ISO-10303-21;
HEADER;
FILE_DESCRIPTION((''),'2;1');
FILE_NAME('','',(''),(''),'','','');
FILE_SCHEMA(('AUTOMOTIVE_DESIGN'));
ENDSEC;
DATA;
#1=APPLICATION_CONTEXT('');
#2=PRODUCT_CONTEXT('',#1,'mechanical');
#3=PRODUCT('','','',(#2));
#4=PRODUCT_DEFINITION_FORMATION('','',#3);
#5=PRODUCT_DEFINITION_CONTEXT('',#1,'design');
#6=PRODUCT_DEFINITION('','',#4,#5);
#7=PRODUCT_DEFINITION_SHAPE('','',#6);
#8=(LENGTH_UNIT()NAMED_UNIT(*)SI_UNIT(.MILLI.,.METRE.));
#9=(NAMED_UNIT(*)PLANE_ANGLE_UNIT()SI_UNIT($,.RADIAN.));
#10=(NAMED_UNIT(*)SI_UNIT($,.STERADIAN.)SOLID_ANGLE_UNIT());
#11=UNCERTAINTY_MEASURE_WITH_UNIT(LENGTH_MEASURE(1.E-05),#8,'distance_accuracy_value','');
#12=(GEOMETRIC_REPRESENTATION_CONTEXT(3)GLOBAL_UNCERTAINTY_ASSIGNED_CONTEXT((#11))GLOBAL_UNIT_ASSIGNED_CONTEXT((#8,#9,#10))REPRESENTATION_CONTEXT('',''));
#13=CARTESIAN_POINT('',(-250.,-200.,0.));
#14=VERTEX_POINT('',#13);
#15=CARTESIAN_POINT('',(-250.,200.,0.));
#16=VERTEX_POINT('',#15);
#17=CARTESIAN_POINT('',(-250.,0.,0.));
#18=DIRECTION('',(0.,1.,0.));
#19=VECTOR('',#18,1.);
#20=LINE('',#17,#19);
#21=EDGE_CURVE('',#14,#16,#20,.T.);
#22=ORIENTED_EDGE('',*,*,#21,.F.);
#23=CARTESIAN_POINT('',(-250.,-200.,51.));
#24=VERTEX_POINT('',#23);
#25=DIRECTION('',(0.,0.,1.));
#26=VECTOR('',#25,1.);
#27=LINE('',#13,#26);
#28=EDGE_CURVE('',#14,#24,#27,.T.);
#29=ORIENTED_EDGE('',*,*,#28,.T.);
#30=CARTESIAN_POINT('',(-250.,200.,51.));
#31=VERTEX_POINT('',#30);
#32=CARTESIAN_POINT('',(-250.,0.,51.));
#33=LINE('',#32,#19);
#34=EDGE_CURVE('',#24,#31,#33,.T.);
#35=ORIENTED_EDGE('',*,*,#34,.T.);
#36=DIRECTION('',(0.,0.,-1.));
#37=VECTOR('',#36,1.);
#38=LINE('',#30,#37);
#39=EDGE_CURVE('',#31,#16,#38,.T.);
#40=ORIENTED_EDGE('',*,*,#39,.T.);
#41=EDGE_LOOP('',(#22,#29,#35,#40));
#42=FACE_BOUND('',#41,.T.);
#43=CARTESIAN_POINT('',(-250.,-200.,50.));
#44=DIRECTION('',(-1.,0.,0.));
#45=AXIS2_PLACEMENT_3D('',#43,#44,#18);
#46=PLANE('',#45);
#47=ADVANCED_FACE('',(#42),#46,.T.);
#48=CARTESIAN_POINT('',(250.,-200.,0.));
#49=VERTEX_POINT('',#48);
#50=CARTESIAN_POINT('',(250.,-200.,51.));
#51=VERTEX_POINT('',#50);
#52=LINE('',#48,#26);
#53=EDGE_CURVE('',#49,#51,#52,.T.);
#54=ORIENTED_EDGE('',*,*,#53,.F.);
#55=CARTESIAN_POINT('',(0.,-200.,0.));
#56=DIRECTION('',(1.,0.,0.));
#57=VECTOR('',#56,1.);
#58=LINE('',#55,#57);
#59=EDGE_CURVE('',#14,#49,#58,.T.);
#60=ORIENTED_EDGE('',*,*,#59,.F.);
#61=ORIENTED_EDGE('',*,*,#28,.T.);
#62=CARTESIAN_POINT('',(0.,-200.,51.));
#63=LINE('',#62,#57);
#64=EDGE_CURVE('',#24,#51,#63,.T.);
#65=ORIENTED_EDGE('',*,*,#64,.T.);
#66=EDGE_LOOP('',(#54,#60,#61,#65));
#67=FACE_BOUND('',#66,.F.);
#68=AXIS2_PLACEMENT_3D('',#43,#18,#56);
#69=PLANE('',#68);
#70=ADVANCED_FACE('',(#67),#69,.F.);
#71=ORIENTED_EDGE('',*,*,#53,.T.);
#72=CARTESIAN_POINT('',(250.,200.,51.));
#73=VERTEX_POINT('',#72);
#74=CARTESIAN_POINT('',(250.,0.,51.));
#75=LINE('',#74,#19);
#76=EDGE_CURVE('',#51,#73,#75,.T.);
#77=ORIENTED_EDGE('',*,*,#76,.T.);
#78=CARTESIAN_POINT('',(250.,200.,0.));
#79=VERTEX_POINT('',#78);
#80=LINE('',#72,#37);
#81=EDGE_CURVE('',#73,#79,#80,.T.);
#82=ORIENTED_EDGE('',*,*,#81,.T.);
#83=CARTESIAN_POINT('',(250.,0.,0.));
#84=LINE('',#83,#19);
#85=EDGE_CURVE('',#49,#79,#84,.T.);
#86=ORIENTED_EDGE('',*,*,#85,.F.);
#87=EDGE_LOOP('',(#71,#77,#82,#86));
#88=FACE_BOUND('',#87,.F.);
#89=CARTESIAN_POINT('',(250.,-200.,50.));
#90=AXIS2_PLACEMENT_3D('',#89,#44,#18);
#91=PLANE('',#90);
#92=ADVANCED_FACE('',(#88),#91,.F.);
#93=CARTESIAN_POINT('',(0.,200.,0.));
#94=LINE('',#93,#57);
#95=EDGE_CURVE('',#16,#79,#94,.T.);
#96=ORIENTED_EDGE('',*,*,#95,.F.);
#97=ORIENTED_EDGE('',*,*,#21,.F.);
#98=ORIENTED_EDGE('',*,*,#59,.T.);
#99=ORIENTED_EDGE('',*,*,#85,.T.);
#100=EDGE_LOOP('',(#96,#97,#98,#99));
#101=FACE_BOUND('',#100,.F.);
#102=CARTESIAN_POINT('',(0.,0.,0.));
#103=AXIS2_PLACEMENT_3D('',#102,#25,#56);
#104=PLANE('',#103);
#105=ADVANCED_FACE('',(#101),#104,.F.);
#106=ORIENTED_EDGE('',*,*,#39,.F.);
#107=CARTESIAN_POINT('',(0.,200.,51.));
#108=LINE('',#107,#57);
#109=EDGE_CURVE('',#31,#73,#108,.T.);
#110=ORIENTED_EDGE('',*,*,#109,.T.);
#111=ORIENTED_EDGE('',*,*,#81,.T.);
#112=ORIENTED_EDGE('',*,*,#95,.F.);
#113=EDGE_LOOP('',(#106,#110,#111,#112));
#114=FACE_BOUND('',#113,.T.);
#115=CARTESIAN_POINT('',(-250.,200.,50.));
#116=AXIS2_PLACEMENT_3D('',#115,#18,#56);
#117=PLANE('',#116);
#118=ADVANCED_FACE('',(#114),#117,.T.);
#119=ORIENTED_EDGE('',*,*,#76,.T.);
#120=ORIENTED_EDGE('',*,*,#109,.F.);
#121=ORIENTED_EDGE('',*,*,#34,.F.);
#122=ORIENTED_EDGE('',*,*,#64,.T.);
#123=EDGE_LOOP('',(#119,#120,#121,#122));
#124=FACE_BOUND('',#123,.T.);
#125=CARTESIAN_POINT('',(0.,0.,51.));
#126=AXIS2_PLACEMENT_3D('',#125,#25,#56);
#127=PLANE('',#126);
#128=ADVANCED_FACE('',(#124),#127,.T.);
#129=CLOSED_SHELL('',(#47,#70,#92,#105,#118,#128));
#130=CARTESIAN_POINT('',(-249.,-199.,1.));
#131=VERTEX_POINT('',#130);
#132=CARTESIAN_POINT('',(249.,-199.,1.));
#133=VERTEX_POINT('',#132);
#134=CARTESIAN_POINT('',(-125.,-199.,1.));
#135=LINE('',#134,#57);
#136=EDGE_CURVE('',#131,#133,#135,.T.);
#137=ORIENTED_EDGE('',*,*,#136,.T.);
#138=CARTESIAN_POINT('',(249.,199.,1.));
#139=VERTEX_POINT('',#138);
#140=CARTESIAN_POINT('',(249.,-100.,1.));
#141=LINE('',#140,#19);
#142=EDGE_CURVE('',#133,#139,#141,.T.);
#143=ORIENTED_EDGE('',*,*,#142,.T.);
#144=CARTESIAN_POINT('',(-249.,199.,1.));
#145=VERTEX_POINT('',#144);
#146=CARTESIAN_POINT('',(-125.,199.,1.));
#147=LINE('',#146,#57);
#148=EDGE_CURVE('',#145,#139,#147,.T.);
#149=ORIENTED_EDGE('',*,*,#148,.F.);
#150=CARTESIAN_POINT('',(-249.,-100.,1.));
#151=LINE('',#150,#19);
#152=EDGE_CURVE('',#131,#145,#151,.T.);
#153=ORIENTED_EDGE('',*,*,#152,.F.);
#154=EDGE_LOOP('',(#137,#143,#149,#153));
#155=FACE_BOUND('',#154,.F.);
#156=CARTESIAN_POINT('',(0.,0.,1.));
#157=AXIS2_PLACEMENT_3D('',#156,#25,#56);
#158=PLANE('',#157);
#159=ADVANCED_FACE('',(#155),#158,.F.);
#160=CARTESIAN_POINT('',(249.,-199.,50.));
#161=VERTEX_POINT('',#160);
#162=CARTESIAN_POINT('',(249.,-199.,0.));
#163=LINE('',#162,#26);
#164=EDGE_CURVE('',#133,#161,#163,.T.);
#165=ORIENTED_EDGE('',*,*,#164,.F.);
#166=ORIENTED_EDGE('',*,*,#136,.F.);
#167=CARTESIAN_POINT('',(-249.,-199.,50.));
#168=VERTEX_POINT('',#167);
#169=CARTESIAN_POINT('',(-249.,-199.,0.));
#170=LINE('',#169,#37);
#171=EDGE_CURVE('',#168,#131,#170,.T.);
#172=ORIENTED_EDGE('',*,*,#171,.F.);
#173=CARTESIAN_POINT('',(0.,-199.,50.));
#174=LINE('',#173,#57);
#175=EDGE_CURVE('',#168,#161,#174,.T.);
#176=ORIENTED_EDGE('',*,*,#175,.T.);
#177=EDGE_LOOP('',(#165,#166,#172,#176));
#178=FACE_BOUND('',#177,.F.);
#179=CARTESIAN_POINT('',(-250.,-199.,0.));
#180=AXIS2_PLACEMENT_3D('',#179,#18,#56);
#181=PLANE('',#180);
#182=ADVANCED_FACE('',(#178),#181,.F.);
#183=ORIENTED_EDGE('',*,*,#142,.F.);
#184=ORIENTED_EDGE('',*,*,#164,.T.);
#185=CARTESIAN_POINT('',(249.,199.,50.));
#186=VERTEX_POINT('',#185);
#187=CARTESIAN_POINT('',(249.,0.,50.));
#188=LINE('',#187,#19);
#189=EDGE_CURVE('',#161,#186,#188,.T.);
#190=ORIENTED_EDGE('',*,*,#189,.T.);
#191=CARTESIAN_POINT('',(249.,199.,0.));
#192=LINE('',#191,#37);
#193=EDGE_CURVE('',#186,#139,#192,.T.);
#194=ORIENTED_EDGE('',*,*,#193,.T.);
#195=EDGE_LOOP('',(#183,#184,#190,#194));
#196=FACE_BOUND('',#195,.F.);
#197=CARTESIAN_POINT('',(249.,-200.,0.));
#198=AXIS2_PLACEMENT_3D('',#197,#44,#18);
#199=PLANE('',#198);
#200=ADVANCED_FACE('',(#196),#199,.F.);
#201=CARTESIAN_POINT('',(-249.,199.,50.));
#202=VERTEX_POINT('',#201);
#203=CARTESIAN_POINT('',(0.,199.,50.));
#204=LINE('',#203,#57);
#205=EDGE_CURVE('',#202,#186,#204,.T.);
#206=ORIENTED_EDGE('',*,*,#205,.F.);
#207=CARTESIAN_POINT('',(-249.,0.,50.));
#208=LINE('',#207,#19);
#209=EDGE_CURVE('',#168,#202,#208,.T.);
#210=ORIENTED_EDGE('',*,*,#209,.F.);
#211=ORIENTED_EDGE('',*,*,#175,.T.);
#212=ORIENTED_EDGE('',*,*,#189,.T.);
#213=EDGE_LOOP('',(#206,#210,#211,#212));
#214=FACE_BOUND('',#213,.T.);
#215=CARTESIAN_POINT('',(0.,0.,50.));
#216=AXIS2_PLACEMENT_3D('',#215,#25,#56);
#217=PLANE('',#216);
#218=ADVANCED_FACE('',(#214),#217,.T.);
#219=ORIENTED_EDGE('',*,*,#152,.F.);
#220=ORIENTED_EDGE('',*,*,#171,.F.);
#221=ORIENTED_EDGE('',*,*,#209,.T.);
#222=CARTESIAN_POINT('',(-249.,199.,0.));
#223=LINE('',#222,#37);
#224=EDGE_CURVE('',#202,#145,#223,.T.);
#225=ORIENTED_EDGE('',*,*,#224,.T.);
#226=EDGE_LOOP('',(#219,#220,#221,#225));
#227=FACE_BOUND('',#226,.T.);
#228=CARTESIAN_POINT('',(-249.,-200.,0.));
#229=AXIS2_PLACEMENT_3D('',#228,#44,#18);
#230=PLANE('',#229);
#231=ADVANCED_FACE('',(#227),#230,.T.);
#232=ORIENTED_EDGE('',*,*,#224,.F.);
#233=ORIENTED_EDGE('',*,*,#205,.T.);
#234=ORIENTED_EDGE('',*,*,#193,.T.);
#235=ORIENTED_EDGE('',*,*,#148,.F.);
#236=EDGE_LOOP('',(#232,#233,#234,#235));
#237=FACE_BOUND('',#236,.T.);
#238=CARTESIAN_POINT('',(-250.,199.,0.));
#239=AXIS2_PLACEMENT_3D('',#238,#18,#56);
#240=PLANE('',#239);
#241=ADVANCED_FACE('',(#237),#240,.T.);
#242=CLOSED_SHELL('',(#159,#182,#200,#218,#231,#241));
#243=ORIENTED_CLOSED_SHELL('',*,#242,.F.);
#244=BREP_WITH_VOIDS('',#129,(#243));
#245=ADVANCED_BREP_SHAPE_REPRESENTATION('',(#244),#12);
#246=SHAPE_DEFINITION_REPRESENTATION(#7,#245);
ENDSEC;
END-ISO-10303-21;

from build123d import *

# Parameters (mm, degrees)
F0_W     = 500
F0_H     = 400
F1_DEPTH = 50
F2_T     = -1
F4_W     = 500
F4_H     = 400
F5_DEPTH = 1


with BuildPart() as f1:
    # F0 (on Top) → F1 (new body)
    with BuildSketch(Plane.XY):
        Rectangle(F0_W, F0_H)
    extrude(amount=F1_DEPTH)

    # F2
    f2_openings = [f1.faces().sort_by_distance(p)[0] for p in [
        (0, 0, 50),
    ]]
    offset(amount=F2_T, openings=f2_openings)

    # F4 (on offset) → F5 (join)
    with BuildSketch(Plane.XY.offset(50)):
        Rectangle(F4_W, F4_H)
    extrude(amount=F5_DEPTH)


solid = f1.part
